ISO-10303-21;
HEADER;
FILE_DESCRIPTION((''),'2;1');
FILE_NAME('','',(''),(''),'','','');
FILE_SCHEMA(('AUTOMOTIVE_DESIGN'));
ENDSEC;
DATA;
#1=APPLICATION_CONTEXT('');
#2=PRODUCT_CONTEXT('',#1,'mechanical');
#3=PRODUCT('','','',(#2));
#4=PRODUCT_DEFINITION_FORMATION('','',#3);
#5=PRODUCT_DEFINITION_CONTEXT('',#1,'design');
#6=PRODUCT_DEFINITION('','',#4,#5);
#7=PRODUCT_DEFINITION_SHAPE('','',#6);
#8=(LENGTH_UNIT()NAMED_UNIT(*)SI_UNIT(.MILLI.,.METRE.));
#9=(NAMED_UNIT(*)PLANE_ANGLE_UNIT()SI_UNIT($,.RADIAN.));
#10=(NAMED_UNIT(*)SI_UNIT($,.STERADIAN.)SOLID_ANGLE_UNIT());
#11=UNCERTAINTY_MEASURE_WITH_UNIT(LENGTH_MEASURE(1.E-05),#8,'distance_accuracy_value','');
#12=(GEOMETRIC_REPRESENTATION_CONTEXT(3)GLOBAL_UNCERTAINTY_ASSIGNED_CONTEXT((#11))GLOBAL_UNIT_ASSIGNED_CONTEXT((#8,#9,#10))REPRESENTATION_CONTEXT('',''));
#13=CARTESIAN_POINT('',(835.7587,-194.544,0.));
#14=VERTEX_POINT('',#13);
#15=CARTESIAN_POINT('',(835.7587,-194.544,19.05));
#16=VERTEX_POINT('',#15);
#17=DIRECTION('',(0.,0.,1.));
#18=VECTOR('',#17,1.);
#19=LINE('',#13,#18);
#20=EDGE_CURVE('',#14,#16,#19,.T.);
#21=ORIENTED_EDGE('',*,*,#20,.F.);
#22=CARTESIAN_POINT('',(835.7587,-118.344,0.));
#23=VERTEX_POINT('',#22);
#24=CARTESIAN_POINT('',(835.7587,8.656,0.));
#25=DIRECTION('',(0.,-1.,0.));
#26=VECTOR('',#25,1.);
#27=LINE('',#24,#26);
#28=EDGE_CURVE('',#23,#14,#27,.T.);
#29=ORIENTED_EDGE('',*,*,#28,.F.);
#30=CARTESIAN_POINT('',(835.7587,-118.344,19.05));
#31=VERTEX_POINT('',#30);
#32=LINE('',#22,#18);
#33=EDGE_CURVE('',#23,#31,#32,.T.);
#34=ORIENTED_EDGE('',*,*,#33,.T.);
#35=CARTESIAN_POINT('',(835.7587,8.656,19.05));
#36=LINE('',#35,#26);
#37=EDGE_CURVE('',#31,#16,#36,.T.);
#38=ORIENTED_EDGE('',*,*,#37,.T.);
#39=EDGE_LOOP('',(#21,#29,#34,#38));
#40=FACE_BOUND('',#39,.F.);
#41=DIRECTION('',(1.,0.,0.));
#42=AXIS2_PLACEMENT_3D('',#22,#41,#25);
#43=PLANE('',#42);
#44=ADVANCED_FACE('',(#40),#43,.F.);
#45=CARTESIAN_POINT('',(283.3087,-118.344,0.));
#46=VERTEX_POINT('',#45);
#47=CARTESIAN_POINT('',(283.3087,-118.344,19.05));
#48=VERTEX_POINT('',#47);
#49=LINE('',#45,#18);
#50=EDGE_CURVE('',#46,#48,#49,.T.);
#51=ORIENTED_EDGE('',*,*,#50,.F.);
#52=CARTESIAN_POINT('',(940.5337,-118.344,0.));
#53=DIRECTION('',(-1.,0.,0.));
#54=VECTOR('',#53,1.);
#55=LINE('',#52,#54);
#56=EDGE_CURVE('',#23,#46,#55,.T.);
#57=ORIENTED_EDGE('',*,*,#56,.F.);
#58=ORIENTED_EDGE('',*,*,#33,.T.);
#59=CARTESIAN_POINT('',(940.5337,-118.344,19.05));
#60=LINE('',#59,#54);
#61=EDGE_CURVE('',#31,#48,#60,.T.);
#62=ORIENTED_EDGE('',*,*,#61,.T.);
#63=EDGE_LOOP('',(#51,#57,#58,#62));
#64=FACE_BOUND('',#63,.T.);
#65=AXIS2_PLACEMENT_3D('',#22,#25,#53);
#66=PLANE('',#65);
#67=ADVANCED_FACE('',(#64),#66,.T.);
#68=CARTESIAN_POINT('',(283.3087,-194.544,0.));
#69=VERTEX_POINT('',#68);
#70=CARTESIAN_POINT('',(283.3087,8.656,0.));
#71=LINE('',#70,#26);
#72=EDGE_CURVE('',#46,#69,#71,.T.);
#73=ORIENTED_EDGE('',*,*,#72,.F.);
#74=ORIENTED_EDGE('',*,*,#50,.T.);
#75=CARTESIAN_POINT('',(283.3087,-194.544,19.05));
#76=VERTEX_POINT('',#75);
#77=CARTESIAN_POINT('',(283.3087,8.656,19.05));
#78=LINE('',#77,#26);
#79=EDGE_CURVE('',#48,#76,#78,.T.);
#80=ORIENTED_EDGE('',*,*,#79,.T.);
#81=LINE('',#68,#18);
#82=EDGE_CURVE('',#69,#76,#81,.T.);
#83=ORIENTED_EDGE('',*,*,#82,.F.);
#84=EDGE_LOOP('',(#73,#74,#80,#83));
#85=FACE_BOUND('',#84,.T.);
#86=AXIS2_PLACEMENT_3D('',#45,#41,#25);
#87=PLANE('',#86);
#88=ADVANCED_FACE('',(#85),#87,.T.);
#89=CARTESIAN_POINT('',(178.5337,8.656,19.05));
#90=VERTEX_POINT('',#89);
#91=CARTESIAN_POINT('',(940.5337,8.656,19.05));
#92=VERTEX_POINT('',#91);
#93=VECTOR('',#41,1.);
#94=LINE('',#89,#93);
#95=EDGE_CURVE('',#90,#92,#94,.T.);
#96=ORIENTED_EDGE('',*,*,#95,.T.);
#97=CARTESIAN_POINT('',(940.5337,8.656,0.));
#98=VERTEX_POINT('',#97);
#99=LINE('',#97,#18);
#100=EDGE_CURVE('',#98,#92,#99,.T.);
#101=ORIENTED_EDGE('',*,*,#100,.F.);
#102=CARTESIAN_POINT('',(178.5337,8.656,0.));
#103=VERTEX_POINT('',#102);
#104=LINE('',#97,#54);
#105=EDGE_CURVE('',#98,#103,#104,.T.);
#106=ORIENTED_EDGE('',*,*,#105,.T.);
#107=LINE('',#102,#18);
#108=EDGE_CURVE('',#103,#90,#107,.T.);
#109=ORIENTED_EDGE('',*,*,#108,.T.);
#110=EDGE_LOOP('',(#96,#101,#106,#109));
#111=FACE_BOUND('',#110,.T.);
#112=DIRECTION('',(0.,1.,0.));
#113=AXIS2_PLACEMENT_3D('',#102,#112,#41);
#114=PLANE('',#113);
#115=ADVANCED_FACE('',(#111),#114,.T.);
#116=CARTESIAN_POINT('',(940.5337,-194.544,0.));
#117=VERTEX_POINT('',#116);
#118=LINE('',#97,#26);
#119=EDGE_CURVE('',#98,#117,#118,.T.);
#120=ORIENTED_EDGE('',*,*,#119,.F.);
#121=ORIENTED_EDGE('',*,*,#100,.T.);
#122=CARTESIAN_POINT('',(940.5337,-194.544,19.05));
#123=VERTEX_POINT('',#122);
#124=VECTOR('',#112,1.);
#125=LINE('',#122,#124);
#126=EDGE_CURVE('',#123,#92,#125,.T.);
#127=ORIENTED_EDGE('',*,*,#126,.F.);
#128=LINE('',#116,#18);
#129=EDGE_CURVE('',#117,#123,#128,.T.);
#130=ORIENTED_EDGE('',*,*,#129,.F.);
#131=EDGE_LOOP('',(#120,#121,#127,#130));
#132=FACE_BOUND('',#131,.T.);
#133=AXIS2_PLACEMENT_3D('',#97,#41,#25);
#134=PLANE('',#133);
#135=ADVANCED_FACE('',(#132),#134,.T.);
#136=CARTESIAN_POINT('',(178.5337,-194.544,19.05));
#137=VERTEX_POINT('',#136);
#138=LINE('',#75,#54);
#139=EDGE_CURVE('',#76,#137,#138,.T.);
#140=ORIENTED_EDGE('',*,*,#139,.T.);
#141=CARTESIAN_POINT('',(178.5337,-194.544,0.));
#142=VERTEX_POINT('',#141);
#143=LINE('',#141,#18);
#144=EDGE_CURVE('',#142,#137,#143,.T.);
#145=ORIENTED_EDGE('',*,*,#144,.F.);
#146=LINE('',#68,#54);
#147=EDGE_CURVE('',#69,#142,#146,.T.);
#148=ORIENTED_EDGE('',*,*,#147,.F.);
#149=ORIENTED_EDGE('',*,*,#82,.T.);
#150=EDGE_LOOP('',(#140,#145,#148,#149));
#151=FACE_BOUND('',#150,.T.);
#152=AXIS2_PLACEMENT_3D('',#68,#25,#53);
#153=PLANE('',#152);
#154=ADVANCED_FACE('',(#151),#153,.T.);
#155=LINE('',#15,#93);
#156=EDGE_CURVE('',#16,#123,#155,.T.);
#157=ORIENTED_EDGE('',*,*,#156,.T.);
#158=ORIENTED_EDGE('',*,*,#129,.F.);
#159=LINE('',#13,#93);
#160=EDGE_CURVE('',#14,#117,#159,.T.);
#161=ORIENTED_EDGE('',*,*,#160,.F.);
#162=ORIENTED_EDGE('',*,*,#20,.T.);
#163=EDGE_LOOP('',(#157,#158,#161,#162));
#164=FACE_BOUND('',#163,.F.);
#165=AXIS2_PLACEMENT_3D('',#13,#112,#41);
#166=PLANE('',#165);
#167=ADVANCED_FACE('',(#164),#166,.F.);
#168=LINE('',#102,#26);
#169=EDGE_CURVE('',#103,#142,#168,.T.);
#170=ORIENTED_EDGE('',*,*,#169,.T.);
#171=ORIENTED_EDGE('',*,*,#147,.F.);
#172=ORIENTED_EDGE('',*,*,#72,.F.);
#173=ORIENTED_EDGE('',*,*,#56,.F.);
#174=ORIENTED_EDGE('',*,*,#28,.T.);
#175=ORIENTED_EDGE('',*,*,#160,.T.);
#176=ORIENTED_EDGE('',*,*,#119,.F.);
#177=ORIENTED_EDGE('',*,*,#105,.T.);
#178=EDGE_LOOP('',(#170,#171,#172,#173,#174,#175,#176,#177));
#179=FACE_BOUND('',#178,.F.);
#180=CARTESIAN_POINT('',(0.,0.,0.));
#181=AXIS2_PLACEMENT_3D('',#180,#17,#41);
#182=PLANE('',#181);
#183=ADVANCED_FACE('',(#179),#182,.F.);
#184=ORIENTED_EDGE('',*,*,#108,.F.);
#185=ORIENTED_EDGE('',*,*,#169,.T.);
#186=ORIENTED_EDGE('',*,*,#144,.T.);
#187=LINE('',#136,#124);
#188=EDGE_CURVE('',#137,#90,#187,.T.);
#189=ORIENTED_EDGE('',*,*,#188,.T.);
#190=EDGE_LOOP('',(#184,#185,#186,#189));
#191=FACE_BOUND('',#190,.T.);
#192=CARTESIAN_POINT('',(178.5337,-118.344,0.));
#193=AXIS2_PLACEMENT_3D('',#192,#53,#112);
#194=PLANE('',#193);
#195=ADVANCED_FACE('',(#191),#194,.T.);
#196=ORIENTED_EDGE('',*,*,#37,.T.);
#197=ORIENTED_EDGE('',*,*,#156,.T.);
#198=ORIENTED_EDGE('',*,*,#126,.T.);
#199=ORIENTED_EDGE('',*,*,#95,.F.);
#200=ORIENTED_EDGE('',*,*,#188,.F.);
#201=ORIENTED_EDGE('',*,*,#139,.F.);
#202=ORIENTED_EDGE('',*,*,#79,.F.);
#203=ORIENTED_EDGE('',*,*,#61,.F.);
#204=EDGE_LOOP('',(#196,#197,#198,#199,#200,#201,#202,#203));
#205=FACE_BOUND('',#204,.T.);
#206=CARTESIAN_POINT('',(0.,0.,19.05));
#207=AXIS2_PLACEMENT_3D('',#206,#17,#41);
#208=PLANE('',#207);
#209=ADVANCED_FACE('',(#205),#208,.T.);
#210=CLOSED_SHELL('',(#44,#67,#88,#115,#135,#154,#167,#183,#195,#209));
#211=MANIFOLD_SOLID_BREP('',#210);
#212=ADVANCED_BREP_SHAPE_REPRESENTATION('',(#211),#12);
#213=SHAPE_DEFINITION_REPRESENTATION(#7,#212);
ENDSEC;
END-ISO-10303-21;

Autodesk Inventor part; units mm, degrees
ref_plane "YZ Plane" through (0, 0, 0) normal (1, 0, 0) x (0, 1, 0)
ref_plane "XZ Plane" through (0, 0, 0) normal (0, 1, 0) x (-1, 0, 0)
ref_plane "XY Plane" through (0, 0, 0) normal (0, 0, 1) x (1, 0, 0)
sketch "Sketch1" plane through (0, 0, 0) normal (0, 0, 1) x (1, 0, 0)
  line L0 (178.5337, 8.656) -> (283.3087, 8.656)
  line L1 (283.3087, 8.656) -> (283.3087, -194.544)
  line L2 (283.3087, -194.544) -> (178.5337, -194.544)
  line L3 (178.5337, -194.544) -> (178.5337, 8.656)
  line L4 (178.5337, 8.656) -> (940.5337, 8.656)
  line L5 (940.5337, 8.656) -> (940.5337, -118.344)
  line L6 (940.5337, -118.344) -> (178.5337, -118.344)
  line L7 (178.5337, -118.344) -> (178.5337, 8.656)
  line L8 (940.5337, 8.656) -> (835.7587, 8.656)
  line L9 (835.7587, 8.656) -> (835.7587, -194.544)
  line L10 (835.7587, -194.544) -> (940.5337, -194.544)
  line L11 (940.5337, -194.544) -> (940.5337, 8.656)
  dimension "d21" = 104.775
  dimension "d22" = 203.2
  dimension "d23" = 762
  dimension "d24" = 127
  dimension "d25" = 104.775
extrude "Extrusion3" add sketch "Sketch1" along normal blind 19.05
properties part number "Chassis_Bumpermount_woodpiece"
